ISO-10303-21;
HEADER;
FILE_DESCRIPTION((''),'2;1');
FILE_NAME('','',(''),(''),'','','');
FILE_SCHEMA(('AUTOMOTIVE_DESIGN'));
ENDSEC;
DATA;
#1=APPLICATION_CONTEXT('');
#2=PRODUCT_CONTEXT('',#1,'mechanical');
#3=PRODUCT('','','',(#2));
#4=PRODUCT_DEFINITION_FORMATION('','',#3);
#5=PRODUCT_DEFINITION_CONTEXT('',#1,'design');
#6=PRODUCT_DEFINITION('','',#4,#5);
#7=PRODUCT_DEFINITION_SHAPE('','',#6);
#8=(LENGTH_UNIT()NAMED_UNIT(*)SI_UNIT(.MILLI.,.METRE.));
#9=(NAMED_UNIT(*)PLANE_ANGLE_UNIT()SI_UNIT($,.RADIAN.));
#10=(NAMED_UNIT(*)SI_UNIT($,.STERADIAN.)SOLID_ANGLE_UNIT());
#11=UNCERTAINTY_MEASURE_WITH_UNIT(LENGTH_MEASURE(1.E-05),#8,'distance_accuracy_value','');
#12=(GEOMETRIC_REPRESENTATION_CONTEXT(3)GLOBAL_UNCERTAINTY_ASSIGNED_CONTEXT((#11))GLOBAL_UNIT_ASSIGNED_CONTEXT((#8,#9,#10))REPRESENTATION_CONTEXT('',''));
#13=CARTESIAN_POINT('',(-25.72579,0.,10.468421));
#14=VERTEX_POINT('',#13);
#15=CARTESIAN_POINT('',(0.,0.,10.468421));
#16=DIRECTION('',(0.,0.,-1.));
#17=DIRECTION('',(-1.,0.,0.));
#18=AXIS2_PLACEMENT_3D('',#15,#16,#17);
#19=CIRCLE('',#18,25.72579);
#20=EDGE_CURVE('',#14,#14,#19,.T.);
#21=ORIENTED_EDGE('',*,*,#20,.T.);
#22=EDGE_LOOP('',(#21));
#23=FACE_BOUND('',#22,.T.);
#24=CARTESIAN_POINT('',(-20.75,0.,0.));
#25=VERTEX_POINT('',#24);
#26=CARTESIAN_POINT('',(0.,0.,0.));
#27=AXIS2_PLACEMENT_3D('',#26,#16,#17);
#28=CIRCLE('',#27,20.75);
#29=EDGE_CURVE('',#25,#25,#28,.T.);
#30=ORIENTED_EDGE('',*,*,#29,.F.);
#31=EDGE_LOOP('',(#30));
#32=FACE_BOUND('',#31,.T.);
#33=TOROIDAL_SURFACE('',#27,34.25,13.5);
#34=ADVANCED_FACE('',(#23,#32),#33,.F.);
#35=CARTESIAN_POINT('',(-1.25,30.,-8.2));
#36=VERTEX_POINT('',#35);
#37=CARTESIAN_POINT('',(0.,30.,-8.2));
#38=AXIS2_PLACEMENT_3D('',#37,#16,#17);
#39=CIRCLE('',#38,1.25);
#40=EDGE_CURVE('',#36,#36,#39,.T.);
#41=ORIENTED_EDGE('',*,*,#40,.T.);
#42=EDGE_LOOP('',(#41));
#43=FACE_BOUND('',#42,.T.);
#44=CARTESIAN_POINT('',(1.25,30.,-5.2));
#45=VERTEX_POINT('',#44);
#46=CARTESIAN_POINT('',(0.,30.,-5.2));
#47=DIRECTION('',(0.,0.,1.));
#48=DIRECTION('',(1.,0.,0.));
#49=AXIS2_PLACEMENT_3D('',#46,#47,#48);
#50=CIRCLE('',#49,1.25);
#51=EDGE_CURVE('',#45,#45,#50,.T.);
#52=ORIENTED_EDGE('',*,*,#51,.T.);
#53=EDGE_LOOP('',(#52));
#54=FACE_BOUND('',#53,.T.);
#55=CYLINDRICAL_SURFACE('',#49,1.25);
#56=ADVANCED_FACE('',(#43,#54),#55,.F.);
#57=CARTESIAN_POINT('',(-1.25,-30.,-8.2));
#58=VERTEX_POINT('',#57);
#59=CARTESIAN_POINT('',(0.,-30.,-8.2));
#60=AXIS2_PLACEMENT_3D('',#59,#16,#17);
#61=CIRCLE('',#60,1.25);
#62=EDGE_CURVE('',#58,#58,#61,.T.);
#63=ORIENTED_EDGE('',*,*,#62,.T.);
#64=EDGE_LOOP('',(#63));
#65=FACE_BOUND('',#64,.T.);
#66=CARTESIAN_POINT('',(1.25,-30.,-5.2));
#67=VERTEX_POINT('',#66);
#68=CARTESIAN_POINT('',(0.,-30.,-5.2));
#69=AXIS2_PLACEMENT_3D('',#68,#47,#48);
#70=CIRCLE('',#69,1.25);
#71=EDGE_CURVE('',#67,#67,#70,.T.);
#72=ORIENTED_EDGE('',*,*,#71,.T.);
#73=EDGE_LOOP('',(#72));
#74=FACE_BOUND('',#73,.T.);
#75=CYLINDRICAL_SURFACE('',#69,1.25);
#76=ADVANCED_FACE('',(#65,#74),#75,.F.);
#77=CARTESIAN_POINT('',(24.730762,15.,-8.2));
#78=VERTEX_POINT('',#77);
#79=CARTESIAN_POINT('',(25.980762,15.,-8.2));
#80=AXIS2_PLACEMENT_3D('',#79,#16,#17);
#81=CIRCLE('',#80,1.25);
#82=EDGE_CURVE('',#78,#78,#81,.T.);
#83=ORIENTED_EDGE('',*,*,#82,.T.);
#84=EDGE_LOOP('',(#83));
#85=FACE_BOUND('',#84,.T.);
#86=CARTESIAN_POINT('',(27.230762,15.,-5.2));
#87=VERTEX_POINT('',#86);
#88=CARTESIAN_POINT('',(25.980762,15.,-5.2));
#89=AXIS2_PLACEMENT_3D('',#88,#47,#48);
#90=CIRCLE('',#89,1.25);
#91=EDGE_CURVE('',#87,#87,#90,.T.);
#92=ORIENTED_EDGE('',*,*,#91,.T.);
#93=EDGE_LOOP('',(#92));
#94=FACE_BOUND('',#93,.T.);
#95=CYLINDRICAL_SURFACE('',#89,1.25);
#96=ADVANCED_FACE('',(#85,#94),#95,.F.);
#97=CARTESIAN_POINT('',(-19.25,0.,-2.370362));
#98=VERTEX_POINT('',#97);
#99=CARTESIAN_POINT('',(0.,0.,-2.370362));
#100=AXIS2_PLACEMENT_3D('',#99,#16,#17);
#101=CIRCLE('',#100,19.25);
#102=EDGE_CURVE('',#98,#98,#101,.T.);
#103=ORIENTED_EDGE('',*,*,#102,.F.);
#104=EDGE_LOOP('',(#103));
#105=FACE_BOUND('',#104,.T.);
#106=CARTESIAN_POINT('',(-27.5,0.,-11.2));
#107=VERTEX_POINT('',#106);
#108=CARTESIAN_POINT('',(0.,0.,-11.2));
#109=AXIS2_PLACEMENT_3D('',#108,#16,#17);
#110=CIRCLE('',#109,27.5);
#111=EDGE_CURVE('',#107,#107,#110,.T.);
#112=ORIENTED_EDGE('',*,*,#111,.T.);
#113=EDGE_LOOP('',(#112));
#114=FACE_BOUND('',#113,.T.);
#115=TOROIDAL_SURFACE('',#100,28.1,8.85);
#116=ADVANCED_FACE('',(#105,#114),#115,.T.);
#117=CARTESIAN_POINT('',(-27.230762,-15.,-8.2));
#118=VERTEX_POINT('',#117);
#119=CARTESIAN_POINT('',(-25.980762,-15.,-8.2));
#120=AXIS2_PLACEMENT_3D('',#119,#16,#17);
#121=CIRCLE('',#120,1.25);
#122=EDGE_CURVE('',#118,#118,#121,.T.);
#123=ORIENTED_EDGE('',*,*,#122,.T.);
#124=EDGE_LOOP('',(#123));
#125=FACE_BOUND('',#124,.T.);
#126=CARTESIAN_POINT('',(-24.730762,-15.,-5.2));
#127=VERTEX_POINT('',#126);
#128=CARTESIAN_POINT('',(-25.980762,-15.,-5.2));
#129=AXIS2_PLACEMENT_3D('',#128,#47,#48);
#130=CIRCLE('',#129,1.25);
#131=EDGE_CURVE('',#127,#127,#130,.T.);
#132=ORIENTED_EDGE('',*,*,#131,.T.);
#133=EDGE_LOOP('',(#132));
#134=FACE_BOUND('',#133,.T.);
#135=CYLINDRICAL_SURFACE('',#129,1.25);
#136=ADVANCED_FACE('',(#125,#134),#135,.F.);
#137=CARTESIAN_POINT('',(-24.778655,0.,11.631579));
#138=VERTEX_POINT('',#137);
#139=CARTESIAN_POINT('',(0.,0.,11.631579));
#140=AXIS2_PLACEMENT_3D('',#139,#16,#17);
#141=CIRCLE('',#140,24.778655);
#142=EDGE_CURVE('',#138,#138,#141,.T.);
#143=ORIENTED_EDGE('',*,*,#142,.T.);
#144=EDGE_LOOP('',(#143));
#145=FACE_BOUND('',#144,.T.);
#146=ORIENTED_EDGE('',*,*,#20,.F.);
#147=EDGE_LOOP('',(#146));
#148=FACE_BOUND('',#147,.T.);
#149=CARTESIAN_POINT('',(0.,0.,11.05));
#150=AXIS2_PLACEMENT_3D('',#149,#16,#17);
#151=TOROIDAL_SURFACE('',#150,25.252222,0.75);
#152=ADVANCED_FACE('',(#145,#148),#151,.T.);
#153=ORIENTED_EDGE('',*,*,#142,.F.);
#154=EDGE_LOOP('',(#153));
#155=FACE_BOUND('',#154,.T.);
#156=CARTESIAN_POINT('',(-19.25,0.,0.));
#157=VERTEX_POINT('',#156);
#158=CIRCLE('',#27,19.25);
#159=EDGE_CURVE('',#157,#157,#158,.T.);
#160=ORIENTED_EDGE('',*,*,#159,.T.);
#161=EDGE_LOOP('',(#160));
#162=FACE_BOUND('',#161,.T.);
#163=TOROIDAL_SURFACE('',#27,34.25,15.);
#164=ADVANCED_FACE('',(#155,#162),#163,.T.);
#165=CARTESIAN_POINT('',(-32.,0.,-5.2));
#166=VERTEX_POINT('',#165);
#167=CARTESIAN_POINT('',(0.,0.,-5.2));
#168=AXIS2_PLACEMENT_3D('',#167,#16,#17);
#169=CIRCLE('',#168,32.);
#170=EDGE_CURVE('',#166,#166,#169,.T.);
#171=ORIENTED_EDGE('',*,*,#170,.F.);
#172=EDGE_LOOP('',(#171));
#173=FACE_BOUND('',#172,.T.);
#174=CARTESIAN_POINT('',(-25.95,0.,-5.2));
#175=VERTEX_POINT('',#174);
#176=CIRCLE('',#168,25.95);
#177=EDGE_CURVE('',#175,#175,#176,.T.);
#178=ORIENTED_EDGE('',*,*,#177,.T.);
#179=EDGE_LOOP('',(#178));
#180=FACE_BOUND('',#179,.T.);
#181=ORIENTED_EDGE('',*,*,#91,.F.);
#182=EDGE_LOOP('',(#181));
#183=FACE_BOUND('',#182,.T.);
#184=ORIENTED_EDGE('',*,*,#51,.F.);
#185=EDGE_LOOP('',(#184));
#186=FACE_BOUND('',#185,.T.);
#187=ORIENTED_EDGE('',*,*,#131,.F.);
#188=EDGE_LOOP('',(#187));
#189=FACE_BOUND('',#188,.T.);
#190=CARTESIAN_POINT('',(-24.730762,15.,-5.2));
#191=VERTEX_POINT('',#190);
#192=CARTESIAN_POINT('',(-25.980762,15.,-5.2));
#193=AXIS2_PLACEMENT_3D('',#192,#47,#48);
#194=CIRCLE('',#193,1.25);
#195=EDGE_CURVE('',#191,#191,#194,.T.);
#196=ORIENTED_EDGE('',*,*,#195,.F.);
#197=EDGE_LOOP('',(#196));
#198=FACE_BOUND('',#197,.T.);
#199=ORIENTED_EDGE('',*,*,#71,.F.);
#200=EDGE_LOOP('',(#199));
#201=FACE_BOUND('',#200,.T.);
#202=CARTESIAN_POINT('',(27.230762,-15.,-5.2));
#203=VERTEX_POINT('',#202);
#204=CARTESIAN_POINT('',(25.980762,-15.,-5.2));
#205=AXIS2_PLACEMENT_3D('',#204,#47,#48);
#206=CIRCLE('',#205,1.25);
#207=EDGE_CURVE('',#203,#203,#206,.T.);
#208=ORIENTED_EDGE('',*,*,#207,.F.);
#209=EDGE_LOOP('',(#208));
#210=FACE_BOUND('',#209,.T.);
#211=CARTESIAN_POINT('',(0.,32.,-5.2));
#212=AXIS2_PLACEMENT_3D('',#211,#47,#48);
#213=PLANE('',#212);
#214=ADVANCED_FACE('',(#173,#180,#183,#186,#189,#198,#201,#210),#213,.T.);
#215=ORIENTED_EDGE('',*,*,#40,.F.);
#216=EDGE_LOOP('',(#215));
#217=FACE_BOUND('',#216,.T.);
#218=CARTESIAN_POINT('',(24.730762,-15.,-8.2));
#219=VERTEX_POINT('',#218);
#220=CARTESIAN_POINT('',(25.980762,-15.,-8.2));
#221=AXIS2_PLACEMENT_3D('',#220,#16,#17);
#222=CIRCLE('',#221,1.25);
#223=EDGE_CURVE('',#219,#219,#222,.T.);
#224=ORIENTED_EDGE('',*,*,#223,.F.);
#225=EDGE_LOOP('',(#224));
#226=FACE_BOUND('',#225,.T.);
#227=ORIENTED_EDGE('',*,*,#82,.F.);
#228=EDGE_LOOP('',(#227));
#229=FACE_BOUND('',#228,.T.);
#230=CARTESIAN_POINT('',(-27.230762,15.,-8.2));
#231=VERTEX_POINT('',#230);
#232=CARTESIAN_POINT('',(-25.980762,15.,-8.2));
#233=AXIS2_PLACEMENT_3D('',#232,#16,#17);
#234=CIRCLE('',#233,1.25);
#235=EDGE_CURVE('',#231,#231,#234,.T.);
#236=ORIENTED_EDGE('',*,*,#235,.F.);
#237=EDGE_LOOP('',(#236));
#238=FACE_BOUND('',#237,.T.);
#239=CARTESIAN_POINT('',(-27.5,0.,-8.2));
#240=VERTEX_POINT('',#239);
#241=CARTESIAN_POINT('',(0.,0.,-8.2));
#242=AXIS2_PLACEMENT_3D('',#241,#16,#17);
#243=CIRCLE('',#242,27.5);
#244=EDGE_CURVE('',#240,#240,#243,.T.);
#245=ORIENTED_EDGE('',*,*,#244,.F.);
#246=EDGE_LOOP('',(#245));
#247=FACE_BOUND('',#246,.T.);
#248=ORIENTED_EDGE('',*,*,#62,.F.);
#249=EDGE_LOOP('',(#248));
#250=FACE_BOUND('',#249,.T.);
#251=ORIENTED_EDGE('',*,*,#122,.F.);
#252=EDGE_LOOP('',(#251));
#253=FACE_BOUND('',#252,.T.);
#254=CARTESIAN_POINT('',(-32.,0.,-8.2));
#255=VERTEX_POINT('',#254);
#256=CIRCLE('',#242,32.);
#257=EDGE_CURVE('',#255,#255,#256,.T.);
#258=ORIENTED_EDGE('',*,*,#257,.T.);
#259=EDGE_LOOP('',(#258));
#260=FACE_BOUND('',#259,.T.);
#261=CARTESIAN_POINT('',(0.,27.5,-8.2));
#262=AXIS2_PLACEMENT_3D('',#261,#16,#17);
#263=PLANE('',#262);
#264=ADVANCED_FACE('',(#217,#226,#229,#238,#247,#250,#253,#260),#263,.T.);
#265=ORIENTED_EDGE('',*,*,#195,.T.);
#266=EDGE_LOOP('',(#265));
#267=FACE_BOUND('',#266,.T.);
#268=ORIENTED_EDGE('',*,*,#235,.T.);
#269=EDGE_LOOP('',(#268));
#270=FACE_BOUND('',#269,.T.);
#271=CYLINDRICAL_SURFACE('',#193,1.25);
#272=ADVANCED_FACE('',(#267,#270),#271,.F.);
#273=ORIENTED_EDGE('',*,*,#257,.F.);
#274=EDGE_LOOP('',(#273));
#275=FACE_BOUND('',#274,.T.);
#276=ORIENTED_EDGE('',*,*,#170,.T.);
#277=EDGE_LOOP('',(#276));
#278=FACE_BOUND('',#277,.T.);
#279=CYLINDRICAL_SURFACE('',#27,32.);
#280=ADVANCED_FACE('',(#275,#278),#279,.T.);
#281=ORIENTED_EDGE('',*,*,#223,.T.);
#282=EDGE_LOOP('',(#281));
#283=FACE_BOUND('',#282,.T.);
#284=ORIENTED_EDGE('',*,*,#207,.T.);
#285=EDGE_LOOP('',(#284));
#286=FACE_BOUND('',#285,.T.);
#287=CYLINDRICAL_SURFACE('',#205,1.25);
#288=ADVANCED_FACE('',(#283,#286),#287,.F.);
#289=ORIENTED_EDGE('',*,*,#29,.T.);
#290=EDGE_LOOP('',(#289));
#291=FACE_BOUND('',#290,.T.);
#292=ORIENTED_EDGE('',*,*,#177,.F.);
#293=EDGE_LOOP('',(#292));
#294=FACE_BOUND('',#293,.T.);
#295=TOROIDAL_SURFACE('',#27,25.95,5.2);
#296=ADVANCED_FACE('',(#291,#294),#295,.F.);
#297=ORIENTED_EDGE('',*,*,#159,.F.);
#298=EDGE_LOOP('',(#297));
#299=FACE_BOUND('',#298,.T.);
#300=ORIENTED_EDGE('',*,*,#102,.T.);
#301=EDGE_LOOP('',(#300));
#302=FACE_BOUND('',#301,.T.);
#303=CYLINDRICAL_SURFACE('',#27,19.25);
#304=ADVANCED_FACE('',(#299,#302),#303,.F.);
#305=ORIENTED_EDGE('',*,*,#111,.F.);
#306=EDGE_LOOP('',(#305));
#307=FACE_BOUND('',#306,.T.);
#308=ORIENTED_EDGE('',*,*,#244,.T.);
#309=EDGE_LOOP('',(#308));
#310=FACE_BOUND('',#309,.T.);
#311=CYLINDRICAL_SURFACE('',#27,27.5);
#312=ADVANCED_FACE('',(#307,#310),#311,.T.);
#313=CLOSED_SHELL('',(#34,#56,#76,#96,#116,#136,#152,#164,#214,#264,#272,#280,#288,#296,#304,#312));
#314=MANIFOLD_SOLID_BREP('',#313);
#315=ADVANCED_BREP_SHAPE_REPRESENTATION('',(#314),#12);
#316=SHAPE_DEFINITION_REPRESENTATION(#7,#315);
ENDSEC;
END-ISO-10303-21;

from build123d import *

# Parameters (mm, degrees)
CIRPATTERN1_COUNT = 6


with BuildPart() as part:
    # Sketch1 → Revolve1 (revolve)
    with BuildSketch(Plane(origin=(0, 0, 0), x_dir=(0, 0, -1), z_dir=(1, 0, 0))):
        with BuildLine():
            Line((2.370362408, 19.25), (0, 19.25))
            ThreePointArc((0, 19.25), (-6.439325621, 20.702487846), (-11.631578947, 24.77865526))
            ThreePointArc((-11.631578947, 24.77865526), (-11.523567237, 25.833801444), (-10.468421053, 25.725789734))
            ThreePointArc((-10.468421053, 25.725789734), (-5.795393058, 22.057239062), (0, 20.75))
            ThreePointArc((0, 20.75), (3.676955262, 22.273044738), (5.2, 25.95))
            Line((5.2, 25.95), (5.2, 32))
            Line((5.2, 32), (8.2, 32))
            Line((8.2, 32), (8.2, 27.5))
            Line((8.2, 27.5), (11.2, 27.5))
            ThreePointArc((11.2, 27.5), (8.412402627, 21.633451462), (2.370362408, 19.25))
        make_face()
    revolve(axis=Axis((0, 0, 0), (0, 0, 1)))

    # Sketch2 → Ø2.5 (2.5) Diameter Hole1 (revolve, cut)
    with BuildSketch(Plane(origin=(0, 30, -5.2), x_dir=(0, -1, 0), z_dir=(1, 0, 0))):
        Polygon((0, 0), (0, 23.751075774), (1.25, 23), (1.25, 0), align=None)
    f_2_5_2_5_diameter_hole1 = revolve(axis=Axis((0, 30, 1.15), (0, 0, -1)), mode=Mode.SUBTRACT)

    # CirPattern1: Ø2.5 (2.5) Diameter Hole1 ×6 about axis
    cirpattern1_axis = Axis((0, 0, 12.95), (0, 0, -1))
    for i in range(1, CIRPATTERN1_COUNT):
        add(f_2_5_2_5_diameter_hole1.rotate(cirpattern1_axis, i * 360 / CIRPATTERN1_COUNT), mode=Mode.SUBTRACT)


solid = part.part
